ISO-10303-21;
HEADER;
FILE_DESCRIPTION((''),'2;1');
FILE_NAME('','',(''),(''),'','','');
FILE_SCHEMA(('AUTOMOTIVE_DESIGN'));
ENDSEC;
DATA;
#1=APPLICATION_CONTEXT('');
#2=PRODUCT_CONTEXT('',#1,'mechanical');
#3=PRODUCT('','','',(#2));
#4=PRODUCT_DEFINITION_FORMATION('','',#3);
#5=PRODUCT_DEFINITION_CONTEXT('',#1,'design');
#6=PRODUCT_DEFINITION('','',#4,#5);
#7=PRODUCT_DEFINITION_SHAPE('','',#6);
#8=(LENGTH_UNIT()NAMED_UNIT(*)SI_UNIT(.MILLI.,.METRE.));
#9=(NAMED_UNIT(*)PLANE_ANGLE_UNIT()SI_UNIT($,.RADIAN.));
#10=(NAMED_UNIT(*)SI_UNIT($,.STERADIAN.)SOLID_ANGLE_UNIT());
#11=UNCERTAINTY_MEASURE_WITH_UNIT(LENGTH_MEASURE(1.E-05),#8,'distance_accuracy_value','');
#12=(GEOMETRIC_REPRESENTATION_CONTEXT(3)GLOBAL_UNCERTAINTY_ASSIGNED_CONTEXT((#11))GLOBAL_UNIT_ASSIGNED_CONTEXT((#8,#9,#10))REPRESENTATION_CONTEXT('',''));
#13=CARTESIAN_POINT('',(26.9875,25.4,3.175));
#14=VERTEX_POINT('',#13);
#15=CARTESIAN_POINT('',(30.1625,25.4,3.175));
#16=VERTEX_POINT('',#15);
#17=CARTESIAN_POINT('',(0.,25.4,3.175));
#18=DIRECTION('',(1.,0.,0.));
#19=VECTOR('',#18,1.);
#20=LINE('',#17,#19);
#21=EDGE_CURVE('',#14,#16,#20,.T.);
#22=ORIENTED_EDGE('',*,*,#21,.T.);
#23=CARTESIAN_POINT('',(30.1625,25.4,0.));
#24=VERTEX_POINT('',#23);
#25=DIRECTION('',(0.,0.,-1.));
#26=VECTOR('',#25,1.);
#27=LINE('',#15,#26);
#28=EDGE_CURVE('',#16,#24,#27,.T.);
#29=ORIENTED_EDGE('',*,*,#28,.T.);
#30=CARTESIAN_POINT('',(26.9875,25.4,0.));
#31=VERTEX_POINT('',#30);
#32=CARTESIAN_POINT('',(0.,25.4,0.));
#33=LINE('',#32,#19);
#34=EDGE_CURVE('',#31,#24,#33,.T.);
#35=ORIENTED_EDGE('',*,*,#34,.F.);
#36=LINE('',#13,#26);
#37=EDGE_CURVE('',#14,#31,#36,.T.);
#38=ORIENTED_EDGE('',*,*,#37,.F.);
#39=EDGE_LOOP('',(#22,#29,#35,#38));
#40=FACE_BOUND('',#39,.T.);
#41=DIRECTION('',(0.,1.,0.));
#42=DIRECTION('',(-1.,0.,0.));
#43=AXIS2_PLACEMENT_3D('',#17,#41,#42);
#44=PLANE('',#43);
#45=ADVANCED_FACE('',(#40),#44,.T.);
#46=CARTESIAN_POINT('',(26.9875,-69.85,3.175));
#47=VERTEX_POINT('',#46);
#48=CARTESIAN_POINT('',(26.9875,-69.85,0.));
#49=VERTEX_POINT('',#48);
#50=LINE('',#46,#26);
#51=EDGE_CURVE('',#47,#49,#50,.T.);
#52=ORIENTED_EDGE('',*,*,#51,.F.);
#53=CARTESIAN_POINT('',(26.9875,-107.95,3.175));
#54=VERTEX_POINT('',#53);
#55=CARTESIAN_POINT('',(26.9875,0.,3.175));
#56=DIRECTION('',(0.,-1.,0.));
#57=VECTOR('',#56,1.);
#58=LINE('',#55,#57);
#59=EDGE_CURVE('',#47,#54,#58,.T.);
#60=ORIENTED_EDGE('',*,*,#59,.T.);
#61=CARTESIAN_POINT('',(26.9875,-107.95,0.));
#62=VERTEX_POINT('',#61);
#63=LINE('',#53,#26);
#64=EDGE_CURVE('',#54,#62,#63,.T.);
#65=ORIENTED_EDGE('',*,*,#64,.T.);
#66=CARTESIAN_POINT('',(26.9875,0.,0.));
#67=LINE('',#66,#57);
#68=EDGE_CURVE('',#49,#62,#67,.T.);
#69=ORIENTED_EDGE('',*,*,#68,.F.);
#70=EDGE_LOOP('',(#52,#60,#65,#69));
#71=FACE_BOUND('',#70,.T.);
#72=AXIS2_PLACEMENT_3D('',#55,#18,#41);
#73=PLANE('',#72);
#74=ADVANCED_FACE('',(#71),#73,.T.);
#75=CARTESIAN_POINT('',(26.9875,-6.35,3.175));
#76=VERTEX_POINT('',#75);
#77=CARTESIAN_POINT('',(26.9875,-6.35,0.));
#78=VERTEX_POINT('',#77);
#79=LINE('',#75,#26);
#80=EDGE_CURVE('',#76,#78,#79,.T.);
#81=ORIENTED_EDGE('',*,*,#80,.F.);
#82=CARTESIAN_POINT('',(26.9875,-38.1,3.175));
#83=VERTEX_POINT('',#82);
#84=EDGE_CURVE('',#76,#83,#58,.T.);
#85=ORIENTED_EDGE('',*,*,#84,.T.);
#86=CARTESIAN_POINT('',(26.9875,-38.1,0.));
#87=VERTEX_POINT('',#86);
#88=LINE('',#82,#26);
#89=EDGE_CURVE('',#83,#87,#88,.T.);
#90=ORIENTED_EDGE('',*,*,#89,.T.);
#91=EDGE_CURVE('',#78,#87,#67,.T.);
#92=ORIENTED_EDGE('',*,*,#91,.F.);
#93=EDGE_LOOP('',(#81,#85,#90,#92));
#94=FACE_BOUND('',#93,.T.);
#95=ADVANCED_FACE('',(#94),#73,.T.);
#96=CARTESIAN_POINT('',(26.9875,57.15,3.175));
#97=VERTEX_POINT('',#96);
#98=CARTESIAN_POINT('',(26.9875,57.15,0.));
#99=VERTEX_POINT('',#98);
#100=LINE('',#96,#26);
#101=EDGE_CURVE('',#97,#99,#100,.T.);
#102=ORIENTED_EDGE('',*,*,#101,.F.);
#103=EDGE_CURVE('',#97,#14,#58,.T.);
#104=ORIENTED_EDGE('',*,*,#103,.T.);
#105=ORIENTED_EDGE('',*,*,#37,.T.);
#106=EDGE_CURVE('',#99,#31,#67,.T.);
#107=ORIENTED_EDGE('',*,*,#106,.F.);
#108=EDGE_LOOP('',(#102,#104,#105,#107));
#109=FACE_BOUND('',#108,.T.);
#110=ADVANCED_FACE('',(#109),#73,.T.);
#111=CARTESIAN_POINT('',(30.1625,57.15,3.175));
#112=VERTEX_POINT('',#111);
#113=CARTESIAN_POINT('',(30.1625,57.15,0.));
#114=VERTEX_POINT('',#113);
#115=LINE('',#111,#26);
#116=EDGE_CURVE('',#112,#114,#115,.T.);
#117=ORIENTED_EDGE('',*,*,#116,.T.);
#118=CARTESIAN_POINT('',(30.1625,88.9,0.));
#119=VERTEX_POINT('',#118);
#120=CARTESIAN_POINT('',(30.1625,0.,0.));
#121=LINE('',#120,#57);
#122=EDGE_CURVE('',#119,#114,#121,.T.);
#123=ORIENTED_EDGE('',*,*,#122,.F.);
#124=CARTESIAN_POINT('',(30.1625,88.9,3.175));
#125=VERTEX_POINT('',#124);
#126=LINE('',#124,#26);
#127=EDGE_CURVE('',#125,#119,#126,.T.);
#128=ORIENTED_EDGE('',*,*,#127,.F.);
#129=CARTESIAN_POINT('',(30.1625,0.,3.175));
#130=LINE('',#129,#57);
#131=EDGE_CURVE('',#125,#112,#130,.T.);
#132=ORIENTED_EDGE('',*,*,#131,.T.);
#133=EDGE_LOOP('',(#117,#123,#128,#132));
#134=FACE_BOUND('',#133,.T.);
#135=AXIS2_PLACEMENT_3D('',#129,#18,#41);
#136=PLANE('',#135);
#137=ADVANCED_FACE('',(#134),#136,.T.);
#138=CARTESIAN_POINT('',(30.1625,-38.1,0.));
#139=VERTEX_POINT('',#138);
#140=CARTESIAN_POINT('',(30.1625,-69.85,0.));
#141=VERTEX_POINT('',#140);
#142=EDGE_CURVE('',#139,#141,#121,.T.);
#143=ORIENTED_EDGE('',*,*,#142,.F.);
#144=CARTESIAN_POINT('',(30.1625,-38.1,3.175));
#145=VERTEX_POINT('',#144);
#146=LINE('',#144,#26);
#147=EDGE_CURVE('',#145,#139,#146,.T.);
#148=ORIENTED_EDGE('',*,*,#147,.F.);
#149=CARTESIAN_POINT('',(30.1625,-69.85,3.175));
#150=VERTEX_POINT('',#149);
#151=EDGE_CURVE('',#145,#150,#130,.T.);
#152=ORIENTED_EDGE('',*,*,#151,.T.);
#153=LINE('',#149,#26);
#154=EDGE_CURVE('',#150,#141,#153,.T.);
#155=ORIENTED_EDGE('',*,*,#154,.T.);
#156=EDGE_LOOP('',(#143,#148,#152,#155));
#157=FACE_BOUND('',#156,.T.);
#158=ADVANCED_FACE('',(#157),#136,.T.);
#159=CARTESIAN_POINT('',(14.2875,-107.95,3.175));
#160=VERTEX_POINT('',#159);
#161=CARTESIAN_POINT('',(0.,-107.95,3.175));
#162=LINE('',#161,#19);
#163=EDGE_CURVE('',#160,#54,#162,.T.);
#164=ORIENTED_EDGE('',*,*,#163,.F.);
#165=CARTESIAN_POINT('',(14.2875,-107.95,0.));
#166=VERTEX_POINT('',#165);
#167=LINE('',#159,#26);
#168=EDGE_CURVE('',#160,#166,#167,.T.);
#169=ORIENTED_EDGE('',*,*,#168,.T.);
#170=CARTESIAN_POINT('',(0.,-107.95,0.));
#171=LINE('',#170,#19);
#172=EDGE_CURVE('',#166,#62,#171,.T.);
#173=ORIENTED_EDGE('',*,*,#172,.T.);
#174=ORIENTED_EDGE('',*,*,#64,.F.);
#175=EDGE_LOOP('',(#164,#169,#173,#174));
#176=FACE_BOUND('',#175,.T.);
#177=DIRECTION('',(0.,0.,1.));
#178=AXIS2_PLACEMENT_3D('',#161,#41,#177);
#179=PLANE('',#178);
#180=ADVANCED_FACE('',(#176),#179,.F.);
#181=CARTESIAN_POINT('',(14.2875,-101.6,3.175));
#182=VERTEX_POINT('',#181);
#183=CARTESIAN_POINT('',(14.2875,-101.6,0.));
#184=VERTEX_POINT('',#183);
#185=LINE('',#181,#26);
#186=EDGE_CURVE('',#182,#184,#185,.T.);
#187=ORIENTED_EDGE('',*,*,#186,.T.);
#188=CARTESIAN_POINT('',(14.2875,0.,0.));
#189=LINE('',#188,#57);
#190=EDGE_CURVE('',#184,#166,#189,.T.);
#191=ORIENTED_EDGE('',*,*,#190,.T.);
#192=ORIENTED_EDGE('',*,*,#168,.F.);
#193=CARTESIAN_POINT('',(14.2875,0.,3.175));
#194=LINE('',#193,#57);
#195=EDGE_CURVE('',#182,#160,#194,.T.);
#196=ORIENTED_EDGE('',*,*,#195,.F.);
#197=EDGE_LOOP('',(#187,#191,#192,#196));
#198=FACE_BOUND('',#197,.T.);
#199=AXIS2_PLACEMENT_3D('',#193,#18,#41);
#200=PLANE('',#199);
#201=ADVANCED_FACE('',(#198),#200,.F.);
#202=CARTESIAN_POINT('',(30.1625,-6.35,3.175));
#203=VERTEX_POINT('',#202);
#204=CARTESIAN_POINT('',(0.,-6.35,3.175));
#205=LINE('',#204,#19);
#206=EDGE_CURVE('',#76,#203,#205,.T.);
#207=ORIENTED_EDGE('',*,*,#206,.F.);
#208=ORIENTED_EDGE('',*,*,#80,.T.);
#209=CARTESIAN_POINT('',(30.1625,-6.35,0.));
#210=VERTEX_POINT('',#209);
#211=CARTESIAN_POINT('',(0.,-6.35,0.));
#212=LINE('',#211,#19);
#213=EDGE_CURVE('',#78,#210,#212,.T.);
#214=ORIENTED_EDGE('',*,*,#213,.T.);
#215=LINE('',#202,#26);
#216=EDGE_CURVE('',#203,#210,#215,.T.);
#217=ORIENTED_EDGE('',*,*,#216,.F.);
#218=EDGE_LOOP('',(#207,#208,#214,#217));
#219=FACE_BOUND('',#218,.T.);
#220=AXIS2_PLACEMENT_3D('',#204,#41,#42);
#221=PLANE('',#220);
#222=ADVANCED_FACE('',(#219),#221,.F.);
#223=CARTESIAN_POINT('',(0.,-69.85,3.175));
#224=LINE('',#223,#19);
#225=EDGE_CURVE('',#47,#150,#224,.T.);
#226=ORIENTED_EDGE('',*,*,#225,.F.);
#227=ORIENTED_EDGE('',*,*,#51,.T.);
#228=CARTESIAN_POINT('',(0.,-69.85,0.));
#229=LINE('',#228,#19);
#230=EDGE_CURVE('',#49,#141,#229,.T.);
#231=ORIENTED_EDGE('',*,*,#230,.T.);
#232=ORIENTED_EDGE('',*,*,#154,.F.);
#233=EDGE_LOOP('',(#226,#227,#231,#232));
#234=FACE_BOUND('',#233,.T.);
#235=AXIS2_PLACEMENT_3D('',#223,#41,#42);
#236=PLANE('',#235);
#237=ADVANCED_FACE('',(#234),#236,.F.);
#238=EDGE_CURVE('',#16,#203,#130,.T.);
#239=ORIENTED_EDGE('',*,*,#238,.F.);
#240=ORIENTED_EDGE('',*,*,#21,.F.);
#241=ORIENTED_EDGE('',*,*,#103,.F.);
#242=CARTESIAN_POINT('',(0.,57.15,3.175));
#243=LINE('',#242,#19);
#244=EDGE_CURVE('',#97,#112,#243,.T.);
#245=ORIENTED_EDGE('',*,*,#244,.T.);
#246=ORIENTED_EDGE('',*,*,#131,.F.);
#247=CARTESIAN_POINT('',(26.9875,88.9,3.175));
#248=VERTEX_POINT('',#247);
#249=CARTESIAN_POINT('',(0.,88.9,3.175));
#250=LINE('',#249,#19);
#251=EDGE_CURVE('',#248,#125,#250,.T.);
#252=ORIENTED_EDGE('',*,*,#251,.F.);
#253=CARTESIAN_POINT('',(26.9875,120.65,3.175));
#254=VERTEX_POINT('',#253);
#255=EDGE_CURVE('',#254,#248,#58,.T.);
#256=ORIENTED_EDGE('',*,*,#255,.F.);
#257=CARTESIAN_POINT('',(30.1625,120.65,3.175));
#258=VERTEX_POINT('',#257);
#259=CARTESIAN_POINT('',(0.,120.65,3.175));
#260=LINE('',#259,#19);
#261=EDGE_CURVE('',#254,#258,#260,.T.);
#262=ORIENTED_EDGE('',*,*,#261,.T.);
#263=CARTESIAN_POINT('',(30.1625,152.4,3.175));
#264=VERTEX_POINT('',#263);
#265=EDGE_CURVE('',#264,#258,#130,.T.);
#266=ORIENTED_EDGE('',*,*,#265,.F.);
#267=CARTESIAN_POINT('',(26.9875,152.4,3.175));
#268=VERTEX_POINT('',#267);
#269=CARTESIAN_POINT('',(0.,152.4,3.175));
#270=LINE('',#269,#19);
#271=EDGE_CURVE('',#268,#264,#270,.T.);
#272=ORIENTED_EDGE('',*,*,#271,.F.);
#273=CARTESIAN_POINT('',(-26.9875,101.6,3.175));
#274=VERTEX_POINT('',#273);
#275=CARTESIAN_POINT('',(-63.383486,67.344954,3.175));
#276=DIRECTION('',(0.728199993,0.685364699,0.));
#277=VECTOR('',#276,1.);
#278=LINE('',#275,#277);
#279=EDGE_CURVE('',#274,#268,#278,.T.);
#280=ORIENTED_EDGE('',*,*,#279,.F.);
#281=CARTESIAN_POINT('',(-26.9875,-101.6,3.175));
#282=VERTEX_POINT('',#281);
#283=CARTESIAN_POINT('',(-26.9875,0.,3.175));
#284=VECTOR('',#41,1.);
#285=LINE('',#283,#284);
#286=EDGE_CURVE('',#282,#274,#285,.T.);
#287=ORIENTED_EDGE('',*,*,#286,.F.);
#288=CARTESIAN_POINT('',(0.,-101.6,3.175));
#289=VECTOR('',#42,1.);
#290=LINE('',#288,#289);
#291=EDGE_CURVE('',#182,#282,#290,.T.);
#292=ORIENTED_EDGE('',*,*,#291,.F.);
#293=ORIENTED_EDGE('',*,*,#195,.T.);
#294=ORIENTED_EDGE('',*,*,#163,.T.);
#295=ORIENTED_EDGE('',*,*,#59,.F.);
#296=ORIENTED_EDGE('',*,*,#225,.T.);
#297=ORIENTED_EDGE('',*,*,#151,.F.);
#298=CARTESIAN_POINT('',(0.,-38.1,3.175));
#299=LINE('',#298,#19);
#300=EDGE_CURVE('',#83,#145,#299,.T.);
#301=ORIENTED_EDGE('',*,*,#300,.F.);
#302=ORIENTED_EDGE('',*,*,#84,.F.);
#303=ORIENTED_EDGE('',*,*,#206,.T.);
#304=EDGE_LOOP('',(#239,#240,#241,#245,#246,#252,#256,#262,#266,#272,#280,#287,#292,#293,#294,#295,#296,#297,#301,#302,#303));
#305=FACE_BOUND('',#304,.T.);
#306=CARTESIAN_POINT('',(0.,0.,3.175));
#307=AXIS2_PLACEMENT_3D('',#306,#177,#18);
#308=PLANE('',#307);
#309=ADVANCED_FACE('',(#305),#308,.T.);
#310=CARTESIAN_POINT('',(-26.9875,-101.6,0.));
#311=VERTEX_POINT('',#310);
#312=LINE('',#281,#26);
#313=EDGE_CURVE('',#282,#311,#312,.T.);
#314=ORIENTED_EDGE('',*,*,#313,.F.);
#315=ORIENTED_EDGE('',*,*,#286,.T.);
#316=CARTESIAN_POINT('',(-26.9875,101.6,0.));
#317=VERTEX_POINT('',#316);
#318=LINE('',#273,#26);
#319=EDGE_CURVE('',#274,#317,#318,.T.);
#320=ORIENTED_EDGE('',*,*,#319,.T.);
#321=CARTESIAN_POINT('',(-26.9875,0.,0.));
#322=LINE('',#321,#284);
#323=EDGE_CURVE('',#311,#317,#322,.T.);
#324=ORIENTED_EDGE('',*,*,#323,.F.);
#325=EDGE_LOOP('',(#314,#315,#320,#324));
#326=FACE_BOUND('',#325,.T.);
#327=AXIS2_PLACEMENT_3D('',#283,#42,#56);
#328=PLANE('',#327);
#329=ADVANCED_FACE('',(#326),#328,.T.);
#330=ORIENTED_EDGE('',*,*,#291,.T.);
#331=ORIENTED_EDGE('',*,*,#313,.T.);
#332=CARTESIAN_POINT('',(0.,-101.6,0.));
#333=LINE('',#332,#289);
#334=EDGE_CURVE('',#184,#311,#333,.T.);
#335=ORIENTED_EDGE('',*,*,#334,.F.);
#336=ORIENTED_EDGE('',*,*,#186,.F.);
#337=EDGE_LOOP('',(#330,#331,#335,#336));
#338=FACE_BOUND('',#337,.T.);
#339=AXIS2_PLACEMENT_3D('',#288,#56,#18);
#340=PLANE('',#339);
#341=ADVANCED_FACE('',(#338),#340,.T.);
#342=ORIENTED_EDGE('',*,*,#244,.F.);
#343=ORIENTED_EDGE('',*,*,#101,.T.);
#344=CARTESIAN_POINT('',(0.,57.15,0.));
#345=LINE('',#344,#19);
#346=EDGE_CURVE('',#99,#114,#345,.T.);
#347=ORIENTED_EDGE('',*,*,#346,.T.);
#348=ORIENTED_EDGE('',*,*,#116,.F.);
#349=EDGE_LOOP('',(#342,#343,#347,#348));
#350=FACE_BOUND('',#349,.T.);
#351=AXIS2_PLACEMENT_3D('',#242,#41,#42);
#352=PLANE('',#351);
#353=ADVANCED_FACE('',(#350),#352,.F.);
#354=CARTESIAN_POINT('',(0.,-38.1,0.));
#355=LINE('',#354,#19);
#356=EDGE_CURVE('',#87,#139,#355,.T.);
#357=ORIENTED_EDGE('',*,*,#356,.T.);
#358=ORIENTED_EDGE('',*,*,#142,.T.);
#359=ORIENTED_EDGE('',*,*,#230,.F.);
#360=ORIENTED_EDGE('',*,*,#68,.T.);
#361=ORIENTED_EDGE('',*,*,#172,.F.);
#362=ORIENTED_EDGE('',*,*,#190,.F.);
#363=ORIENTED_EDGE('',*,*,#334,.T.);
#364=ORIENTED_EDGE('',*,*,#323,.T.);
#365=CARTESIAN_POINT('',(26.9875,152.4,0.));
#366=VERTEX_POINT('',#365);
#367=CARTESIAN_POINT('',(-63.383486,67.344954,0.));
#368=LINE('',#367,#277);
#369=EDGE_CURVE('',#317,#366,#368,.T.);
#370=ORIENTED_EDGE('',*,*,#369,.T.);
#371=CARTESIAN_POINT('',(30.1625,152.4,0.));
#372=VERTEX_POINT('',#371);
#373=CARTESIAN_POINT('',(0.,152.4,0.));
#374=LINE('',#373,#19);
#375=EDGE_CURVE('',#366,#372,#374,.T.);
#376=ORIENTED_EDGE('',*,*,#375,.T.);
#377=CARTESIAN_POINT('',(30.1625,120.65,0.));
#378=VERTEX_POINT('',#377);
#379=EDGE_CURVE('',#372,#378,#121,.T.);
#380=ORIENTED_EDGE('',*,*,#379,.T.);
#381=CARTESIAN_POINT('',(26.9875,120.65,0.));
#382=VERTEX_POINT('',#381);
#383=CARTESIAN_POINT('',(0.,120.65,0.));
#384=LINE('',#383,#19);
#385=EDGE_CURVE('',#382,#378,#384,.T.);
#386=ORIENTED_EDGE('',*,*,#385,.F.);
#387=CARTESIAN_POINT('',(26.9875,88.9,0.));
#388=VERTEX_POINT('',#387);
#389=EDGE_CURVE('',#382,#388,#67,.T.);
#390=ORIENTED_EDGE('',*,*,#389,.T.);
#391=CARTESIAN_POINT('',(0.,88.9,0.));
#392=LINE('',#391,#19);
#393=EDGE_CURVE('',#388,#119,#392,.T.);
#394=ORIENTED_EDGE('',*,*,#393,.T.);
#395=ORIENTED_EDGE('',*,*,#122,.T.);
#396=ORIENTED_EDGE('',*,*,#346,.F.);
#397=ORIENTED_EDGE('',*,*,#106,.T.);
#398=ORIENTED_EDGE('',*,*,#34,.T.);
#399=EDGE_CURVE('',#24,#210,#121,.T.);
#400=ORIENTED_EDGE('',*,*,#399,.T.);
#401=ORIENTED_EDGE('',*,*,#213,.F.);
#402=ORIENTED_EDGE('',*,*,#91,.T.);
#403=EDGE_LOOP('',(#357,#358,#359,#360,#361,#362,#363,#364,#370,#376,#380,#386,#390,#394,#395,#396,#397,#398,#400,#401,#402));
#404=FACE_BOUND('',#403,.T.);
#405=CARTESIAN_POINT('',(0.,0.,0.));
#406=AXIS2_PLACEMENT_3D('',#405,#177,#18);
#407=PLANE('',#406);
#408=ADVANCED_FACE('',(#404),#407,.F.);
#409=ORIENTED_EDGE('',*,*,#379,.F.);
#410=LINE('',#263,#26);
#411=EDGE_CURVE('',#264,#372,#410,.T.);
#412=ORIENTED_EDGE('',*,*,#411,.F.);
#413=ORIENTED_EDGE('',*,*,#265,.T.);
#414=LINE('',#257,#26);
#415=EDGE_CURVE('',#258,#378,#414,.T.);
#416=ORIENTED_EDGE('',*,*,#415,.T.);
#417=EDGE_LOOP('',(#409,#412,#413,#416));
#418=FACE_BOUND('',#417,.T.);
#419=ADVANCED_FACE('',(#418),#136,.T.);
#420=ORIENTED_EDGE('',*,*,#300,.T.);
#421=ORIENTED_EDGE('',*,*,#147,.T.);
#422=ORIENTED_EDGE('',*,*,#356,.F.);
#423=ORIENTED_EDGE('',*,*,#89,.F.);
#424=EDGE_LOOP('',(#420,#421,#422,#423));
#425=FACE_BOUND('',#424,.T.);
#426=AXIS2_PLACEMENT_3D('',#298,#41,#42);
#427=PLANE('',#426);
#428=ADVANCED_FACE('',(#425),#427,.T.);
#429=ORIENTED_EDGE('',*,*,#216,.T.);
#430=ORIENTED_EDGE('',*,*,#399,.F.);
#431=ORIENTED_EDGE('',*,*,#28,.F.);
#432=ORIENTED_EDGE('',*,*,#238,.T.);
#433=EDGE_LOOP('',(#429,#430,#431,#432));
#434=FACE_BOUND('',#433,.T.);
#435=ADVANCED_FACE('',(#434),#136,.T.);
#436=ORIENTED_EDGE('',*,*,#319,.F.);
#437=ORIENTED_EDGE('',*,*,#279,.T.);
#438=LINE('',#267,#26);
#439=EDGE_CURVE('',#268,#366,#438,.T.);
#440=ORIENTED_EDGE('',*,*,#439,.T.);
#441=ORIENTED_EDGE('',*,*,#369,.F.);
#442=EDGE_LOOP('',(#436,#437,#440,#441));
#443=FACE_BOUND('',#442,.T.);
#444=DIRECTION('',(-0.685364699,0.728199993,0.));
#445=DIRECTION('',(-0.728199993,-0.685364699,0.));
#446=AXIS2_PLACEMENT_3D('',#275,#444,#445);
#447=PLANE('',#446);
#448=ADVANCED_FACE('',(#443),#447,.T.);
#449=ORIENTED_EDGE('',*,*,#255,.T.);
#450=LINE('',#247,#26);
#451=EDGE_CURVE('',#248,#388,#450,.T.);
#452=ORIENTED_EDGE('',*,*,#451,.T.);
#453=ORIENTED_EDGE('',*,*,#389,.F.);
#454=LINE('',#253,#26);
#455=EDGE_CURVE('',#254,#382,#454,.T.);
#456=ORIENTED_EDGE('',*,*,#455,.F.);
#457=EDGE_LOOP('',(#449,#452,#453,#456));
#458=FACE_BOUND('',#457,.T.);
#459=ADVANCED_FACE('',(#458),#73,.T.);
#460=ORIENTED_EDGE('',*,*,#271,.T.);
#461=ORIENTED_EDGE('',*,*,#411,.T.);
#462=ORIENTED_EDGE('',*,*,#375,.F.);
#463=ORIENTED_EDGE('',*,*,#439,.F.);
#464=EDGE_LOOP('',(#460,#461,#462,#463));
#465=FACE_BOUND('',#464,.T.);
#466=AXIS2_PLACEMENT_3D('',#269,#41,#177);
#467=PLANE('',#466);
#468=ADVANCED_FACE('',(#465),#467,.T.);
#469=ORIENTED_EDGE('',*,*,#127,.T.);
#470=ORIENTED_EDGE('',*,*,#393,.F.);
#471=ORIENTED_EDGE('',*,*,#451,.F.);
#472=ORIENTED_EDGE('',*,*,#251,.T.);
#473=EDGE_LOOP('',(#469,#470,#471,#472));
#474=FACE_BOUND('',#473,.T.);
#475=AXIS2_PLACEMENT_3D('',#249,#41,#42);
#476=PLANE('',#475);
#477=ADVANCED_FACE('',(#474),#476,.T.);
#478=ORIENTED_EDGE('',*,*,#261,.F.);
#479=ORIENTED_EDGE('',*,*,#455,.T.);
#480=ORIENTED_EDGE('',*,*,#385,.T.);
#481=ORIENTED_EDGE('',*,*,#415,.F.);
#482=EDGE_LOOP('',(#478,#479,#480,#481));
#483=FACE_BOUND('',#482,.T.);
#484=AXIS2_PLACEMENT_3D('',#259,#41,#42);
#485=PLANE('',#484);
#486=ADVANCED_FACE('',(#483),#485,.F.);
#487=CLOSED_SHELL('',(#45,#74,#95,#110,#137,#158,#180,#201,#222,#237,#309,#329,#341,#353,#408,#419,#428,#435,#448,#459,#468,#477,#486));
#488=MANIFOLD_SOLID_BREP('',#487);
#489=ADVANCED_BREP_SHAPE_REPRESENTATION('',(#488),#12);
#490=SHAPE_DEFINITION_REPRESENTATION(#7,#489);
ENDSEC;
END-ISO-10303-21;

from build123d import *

# Parameters (mm, degrees)
BOSS_EXTRUDE1_DEPTH = 3.175


with BuildPart() as part:
    # Sketch1 → Boss-Extrude1 (new body)
    with BuildSketch(Plane.XY):
        Polygon((-26.9875, -101.6), (14.2875, -101.6), (14.2875, -107.95), (26.9875, -107.95), (26.9875, -69.85), (30.1625, -69.85), (30.1625, -38.1), (26.9875, -38.1), (26.9875, -6.35), (30.1625, -6.35), (30.1625, 25.4), (26.9875, 25.4), (26.9875, 57.15), (30.1625, 57.15), (30.1625, 88.9), (26.9875, 88.9), (26.9875, 120.65), (30.1625, 120.65), (30.1625, 152.4), (26.9875, 152.4), (-26.9875, 101.6), align=None)
    extrude(amount=BOSS_EXTRUDE1_DEPTH)


solid = part.part
